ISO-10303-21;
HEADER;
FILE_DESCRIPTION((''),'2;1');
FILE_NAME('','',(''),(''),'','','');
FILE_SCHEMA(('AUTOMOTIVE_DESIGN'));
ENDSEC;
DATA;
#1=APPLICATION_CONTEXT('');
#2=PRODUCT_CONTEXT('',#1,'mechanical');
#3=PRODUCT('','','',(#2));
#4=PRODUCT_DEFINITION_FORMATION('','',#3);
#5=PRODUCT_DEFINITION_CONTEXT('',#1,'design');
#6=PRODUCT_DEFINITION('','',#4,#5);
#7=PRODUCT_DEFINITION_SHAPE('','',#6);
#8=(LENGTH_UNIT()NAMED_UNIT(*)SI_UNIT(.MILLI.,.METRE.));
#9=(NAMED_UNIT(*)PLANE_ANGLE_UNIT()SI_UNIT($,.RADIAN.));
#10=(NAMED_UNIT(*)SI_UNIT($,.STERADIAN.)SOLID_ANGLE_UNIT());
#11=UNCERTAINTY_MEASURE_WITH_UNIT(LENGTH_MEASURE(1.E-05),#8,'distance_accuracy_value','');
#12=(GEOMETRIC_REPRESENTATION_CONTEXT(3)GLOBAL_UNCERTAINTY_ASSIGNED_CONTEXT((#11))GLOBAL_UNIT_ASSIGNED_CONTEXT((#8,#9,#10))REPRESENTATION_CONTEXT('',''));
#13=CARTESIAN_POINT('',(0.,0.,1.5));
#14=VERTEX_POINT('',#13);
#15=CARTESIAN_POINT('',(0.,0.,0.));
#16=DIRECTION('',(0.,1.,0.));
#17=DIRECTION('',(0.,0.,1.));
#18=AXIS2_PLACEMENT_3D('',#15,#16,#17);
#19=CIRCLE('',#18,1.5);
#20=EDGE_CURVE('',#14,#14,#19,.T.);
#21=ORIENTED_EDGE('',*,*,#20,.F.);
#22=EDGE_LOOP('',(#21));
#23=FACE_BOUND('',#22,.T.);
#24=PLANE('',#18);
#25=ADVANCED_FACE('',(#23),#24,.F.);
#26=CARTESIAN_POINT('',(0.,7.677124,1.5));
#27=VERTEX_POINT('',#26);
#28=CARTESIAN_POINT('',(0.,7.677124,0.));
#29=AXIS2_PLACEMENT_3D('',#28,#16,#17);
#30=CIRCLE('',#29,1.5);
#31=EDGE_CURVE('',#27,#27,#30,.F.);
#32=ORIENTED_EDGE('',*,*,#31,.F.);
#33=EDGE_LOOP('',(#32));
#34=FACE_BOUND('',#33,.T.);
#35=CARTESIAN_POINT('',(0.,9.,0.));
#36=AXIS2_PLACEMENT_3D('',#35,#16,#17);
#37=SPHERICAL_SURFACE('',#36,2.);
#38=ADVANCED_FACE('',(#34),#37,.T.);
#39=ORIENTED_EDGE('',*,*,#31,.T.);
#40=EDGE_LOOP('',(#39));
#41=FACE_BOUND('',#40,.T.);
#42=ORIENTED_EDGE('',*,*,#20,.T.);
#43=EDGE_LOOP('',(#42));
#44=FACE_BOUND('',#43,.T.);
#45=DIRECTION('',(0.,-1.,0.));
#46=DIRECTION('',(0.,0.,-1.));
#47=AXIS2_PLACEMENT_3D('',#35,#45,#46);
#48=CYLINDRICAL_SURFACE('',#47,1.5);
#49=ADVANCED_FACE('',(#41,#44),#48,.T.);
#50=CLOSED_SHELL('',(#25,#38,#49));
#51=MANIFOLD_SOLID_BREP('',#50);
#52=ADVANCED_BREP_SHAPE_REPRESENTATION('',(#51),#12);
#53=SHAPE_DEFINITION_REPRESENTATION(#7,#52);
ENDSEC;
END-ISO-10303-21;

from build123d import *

# Parameters (mm, degrees)
SKETCH1_R           = 1.5
BOSS_EXTRUDE1_DEPTH = 9


with BuildPart() as part:
    # Sketch1 → Boss-Extrude1 (new body)
    with BuildSketch(Plane(origin=(0, 0, 0), x_dir=(1, 0, 0), z_dir=(0, 1, 0))):
        Circle(SKETCH1_R)
    extrude(amount=BOSS_EXTRUDE1_DEPTH)

    # Sketch2 → Revolve1 (revolve)
    with BuildSketch(Plane(origin=(0, 9, 0), x_dir=(1, 0, 0), z_dir=(0, 1, 0))):
        with BuildLine():
            Line((2, 0), (-2, 0))
            ThreePointArc((-2, 0), (0, 2), (2, 0))
        make_face()
    revolve(axis=Axis((2, 9, 0), (-1, 0, 0)))


solid = part.part
